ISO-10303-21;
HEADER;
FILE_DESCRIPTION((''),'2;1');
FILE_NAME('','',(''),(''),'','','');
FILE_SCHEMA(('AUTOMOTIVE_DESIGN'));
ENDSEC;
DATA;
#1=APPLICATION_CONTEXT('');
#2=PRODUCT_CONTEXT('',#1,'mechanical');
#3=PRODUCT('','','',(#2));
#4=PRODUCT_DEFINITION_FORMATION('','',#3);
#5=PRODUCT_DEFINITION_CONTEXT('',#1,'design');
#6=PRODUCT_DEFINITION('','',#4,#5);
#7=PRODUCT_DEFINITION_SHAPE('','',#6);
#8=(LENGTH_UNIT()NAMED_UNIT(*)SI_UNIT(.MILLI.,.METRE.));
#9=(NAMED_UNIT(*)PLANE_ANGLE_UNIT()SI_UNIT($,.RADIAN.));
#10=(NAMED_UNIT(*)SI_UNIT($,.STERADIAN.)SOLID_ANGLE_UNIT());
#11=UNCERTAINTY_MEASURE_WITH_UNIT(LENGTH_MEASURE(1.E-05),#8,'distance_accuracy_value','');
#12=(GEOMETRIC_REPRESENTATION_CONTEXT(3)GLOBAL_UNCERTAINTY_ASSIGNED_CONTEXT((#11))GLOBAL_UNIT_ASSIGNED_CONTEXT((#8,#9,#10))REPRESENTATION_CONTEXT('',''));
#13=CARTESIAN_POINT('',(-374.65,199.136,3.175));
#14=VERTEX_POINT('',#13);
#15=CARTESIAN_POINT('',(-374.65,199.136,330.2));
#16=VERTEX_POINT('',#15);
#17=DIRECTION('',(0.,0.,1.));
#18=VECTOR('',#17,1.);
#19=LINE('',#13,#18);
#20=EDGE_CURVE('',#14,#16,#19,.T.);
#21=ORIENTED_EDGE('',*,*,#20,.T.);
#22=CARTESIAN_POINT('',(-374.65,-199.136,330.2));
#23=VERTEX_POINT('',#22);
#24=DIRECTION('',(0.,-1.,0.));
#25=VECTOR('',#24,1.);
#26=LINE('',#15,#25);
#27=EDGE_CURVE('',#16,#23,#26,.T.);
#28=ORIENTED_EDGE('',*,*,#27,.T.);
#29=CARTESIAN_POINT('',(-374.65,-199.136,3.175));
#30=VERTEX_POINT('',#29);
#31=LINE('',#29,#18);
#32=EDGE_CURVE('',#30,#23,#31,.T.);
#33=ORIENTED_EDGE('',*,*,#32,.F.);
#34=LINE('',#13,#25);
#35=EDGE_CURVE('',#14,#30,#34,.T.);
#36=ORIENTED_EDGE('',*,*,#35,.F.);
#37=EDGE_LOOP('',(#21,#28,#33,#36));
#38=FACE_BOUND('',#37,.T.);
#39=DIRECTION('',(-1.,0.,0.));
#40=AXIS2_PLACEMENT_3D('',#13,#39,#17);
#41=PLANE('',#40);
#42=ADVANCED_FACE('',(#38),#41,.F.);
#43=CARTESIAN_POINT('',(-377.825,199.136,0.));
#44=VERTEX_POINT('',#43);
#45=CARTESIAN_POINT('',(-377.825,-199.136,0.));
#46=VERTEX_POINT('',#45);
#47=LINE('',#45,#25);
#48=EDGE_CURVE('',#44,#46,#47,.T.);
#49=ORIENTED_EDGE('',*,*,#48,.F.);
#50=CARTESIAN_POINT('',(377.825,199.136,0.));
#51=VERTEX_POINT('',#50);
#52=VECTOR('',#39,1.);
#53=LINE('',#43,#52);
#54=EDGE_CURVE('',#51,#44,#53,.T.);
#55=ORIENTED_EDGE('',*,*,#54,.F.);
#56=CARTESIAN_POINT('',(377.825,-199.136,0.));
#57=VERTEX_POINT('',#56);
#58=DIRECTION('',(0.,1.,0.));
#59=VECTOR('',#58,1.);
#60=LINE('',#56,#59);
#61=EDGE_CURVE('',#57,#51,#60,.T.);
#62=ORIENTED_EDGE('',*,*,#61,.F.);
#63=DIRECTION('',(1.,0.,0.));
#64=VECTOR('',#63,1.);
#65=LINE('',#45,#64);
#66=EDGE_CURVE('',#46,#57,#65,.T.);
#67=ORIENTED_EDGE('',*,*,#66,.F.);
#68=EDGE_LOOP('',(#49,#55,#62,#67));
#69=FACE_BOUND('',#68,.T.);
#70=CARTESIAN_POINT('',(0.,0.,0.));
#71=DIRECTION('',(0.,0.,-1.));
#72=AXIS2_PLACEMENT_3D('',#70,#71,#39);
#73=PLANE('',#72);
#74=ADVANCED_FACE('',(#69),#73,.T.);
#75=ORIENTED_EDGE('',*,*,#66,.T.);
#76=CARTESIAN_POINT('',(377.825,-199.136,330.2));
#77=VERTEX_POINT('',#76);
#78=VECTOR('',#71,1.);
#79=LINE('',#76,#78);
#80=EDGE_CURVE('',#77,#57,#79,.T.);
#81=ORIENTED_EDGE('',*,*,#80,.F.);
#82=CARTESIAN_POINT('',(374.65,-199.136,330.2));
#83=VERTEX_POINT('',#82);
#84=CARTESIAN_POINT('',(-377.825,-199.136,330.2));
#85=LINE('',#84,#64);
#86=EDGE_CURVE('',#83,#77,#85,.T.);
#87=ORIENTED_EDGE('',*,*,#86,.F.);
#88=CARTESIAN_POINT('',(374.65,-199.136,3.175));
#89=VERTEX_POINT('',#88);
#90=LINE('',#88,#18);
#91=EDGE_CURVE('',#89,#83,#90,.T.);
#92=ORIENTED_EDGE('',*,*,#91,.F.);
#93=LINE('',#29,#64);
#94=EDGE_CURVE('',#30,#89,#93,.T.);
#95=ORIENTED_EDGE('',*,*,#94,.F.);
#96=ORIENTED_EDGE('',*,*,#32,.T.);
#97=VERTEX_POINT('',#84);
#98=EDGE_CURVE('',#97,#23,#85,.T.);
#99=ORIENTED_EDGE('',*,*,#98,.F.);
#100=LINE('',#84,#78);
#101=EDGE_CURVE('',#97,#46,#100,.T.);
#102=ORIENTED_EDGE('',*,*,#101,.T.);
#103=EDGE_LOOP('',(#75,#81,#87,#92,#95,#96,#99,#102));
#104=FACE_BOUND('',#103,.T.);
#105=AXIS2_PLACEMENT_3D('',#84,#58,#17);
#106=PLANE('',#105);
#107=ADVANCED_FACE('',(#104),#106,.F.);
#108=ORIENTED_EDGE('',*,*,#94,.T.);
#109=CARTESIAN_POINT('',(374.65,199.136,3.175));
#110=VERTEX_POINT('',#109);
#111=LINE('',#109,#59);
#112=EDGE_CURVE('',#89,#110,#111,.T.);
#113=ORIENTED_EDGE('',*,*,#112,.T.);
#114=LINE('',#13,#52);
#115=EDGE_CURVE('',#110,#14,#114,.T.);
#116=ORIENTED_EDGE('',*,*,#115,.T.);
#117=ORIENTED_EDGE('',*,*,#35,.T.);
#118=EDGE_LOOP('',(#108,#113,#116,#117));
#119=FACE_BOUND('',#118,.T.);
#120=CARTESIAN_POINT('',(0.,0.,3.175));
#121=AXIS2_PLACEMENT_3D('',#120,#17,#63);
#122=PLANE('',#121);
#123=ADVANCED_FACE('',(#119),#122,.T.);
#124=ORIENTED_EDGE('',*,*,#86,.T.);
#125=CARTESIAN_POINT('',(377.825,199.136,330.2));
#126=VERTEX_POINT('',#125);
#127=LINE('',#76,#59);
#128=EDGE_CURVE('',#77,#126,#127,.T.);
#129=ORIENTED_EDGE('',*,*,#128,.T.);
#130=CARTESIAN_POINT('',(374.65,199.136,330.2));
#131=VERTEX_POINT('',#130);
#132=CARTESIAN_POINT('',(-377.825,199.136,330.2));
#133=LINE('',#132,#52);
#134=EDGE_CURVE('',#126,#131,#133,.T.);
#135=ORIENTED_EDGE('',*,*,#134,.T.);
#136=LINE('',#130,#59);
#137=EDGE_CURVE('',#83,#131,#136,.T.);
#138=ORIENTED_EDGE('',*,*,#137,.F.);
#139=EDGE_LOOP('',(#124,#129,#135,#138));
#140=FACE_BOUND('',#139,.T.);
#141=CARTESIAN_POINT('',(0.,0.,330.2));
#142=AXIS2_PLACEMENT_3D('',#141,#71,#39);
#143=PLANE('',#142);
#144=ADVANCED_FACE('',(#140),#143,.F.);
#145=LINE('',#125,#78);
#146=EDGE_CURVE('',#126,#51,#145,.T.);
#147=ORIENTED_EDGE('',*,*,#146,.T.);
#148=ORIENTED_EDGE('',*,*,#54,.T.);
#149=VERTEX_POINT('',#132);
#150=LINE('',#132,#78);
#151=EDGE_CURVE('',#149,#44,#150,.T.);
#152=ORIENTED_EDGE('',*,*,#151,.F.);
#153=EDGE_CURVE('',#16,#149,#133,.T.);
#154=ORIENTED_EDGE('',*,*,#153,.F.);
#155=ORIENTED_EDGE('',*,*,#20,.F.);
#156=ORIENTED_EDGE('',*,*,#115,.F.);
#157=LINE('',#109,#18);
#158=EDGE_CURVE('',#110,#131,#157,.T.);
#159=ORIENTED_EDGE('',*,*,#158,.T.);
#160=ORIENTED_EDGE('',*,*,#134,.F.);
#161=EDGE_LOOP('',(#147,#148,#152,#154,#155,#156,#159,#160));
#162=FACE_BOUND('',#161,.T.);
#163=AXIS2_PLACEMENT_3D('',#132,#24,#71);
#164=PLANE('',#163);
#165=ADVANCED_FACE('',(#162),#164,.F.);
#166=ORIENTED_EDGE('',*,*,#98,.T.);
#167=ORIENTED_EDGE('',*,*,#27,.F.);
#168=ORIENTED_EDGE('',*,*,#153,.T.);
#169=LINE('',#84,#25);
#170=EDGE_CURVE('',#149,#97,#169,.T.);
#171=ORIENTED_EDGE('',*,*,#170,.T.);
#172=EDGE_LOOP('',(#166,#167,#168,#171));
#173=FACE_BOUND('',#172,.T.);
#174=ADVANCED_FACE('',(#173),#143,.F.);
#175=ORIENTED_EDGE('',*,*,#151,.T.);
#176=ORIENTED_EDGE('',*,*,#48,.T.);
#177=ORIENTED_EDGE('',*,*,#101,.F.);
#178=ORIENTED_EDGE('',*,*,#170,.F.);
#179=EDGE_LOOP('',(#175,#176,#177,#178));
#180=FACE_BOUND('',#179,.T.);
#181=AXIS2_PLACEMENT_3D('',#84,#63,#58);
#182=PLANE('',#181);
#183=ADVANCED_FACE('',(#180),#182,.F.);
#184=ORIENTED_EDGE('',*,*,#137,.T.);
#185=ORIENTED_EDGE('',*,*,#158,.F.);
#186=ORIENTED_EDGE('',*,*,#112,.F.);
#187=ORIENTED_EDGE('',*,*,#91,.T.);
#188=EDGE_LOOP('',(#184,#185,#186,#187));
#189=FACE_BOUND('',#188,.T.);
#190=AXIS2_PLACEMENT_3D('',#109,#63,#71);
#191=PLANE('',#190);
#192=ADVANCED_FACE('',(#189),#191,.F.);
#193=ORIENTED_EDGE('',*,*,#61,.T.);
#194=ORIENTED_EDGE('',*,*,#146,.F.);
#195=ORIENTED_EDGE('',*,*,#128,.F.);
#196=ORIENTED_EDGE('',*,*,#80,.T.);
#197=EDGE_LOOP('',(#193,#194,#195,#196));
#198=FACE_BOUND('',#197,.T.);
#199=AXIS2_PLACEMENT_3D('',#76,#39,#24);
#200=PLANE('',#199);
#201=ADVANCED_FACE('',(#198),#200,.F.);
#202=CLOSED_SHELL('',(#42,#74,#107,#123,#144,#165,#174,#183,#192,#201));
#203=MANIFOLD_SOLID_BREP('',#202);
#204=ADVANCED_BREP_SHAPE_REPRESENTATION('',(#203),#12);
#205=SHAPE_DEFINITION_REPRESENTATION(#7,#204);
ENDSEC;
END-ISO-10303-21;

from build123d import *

# Parameters (mm, degrees)
SKETCH1_W           = 755.65
SKETCH1_H           = 398.272
BOSS_EXTRUDE1_DEPTH = 330.2
SKETCH2_W           = 749.3
SKETCH2_H           = 398.272
CUT_EXTRUDE1_DEPTH  = 327.025


with BuildPart() as part:
    # Sketch1 → Boss-Extrude1 (new body)
    with BuildSketch(Plane.XY):
        Rectangle(SKETCH1_W, SKETCH1_H)
    extrude(amount=BOSS_EXTRUDE1_DEPTH)

    # Sketch2 → Cut-Extrude1 (cut)
    with BuildSketch(Plane.XY.offset(330.2)):
        Rectangle(SKETCH2_W, SKETCH2_H)
    extrude(amount=-CUT_EXTRUDE1_DEPTH, mode=Mode.SUBTRACT)


solid = part.part
